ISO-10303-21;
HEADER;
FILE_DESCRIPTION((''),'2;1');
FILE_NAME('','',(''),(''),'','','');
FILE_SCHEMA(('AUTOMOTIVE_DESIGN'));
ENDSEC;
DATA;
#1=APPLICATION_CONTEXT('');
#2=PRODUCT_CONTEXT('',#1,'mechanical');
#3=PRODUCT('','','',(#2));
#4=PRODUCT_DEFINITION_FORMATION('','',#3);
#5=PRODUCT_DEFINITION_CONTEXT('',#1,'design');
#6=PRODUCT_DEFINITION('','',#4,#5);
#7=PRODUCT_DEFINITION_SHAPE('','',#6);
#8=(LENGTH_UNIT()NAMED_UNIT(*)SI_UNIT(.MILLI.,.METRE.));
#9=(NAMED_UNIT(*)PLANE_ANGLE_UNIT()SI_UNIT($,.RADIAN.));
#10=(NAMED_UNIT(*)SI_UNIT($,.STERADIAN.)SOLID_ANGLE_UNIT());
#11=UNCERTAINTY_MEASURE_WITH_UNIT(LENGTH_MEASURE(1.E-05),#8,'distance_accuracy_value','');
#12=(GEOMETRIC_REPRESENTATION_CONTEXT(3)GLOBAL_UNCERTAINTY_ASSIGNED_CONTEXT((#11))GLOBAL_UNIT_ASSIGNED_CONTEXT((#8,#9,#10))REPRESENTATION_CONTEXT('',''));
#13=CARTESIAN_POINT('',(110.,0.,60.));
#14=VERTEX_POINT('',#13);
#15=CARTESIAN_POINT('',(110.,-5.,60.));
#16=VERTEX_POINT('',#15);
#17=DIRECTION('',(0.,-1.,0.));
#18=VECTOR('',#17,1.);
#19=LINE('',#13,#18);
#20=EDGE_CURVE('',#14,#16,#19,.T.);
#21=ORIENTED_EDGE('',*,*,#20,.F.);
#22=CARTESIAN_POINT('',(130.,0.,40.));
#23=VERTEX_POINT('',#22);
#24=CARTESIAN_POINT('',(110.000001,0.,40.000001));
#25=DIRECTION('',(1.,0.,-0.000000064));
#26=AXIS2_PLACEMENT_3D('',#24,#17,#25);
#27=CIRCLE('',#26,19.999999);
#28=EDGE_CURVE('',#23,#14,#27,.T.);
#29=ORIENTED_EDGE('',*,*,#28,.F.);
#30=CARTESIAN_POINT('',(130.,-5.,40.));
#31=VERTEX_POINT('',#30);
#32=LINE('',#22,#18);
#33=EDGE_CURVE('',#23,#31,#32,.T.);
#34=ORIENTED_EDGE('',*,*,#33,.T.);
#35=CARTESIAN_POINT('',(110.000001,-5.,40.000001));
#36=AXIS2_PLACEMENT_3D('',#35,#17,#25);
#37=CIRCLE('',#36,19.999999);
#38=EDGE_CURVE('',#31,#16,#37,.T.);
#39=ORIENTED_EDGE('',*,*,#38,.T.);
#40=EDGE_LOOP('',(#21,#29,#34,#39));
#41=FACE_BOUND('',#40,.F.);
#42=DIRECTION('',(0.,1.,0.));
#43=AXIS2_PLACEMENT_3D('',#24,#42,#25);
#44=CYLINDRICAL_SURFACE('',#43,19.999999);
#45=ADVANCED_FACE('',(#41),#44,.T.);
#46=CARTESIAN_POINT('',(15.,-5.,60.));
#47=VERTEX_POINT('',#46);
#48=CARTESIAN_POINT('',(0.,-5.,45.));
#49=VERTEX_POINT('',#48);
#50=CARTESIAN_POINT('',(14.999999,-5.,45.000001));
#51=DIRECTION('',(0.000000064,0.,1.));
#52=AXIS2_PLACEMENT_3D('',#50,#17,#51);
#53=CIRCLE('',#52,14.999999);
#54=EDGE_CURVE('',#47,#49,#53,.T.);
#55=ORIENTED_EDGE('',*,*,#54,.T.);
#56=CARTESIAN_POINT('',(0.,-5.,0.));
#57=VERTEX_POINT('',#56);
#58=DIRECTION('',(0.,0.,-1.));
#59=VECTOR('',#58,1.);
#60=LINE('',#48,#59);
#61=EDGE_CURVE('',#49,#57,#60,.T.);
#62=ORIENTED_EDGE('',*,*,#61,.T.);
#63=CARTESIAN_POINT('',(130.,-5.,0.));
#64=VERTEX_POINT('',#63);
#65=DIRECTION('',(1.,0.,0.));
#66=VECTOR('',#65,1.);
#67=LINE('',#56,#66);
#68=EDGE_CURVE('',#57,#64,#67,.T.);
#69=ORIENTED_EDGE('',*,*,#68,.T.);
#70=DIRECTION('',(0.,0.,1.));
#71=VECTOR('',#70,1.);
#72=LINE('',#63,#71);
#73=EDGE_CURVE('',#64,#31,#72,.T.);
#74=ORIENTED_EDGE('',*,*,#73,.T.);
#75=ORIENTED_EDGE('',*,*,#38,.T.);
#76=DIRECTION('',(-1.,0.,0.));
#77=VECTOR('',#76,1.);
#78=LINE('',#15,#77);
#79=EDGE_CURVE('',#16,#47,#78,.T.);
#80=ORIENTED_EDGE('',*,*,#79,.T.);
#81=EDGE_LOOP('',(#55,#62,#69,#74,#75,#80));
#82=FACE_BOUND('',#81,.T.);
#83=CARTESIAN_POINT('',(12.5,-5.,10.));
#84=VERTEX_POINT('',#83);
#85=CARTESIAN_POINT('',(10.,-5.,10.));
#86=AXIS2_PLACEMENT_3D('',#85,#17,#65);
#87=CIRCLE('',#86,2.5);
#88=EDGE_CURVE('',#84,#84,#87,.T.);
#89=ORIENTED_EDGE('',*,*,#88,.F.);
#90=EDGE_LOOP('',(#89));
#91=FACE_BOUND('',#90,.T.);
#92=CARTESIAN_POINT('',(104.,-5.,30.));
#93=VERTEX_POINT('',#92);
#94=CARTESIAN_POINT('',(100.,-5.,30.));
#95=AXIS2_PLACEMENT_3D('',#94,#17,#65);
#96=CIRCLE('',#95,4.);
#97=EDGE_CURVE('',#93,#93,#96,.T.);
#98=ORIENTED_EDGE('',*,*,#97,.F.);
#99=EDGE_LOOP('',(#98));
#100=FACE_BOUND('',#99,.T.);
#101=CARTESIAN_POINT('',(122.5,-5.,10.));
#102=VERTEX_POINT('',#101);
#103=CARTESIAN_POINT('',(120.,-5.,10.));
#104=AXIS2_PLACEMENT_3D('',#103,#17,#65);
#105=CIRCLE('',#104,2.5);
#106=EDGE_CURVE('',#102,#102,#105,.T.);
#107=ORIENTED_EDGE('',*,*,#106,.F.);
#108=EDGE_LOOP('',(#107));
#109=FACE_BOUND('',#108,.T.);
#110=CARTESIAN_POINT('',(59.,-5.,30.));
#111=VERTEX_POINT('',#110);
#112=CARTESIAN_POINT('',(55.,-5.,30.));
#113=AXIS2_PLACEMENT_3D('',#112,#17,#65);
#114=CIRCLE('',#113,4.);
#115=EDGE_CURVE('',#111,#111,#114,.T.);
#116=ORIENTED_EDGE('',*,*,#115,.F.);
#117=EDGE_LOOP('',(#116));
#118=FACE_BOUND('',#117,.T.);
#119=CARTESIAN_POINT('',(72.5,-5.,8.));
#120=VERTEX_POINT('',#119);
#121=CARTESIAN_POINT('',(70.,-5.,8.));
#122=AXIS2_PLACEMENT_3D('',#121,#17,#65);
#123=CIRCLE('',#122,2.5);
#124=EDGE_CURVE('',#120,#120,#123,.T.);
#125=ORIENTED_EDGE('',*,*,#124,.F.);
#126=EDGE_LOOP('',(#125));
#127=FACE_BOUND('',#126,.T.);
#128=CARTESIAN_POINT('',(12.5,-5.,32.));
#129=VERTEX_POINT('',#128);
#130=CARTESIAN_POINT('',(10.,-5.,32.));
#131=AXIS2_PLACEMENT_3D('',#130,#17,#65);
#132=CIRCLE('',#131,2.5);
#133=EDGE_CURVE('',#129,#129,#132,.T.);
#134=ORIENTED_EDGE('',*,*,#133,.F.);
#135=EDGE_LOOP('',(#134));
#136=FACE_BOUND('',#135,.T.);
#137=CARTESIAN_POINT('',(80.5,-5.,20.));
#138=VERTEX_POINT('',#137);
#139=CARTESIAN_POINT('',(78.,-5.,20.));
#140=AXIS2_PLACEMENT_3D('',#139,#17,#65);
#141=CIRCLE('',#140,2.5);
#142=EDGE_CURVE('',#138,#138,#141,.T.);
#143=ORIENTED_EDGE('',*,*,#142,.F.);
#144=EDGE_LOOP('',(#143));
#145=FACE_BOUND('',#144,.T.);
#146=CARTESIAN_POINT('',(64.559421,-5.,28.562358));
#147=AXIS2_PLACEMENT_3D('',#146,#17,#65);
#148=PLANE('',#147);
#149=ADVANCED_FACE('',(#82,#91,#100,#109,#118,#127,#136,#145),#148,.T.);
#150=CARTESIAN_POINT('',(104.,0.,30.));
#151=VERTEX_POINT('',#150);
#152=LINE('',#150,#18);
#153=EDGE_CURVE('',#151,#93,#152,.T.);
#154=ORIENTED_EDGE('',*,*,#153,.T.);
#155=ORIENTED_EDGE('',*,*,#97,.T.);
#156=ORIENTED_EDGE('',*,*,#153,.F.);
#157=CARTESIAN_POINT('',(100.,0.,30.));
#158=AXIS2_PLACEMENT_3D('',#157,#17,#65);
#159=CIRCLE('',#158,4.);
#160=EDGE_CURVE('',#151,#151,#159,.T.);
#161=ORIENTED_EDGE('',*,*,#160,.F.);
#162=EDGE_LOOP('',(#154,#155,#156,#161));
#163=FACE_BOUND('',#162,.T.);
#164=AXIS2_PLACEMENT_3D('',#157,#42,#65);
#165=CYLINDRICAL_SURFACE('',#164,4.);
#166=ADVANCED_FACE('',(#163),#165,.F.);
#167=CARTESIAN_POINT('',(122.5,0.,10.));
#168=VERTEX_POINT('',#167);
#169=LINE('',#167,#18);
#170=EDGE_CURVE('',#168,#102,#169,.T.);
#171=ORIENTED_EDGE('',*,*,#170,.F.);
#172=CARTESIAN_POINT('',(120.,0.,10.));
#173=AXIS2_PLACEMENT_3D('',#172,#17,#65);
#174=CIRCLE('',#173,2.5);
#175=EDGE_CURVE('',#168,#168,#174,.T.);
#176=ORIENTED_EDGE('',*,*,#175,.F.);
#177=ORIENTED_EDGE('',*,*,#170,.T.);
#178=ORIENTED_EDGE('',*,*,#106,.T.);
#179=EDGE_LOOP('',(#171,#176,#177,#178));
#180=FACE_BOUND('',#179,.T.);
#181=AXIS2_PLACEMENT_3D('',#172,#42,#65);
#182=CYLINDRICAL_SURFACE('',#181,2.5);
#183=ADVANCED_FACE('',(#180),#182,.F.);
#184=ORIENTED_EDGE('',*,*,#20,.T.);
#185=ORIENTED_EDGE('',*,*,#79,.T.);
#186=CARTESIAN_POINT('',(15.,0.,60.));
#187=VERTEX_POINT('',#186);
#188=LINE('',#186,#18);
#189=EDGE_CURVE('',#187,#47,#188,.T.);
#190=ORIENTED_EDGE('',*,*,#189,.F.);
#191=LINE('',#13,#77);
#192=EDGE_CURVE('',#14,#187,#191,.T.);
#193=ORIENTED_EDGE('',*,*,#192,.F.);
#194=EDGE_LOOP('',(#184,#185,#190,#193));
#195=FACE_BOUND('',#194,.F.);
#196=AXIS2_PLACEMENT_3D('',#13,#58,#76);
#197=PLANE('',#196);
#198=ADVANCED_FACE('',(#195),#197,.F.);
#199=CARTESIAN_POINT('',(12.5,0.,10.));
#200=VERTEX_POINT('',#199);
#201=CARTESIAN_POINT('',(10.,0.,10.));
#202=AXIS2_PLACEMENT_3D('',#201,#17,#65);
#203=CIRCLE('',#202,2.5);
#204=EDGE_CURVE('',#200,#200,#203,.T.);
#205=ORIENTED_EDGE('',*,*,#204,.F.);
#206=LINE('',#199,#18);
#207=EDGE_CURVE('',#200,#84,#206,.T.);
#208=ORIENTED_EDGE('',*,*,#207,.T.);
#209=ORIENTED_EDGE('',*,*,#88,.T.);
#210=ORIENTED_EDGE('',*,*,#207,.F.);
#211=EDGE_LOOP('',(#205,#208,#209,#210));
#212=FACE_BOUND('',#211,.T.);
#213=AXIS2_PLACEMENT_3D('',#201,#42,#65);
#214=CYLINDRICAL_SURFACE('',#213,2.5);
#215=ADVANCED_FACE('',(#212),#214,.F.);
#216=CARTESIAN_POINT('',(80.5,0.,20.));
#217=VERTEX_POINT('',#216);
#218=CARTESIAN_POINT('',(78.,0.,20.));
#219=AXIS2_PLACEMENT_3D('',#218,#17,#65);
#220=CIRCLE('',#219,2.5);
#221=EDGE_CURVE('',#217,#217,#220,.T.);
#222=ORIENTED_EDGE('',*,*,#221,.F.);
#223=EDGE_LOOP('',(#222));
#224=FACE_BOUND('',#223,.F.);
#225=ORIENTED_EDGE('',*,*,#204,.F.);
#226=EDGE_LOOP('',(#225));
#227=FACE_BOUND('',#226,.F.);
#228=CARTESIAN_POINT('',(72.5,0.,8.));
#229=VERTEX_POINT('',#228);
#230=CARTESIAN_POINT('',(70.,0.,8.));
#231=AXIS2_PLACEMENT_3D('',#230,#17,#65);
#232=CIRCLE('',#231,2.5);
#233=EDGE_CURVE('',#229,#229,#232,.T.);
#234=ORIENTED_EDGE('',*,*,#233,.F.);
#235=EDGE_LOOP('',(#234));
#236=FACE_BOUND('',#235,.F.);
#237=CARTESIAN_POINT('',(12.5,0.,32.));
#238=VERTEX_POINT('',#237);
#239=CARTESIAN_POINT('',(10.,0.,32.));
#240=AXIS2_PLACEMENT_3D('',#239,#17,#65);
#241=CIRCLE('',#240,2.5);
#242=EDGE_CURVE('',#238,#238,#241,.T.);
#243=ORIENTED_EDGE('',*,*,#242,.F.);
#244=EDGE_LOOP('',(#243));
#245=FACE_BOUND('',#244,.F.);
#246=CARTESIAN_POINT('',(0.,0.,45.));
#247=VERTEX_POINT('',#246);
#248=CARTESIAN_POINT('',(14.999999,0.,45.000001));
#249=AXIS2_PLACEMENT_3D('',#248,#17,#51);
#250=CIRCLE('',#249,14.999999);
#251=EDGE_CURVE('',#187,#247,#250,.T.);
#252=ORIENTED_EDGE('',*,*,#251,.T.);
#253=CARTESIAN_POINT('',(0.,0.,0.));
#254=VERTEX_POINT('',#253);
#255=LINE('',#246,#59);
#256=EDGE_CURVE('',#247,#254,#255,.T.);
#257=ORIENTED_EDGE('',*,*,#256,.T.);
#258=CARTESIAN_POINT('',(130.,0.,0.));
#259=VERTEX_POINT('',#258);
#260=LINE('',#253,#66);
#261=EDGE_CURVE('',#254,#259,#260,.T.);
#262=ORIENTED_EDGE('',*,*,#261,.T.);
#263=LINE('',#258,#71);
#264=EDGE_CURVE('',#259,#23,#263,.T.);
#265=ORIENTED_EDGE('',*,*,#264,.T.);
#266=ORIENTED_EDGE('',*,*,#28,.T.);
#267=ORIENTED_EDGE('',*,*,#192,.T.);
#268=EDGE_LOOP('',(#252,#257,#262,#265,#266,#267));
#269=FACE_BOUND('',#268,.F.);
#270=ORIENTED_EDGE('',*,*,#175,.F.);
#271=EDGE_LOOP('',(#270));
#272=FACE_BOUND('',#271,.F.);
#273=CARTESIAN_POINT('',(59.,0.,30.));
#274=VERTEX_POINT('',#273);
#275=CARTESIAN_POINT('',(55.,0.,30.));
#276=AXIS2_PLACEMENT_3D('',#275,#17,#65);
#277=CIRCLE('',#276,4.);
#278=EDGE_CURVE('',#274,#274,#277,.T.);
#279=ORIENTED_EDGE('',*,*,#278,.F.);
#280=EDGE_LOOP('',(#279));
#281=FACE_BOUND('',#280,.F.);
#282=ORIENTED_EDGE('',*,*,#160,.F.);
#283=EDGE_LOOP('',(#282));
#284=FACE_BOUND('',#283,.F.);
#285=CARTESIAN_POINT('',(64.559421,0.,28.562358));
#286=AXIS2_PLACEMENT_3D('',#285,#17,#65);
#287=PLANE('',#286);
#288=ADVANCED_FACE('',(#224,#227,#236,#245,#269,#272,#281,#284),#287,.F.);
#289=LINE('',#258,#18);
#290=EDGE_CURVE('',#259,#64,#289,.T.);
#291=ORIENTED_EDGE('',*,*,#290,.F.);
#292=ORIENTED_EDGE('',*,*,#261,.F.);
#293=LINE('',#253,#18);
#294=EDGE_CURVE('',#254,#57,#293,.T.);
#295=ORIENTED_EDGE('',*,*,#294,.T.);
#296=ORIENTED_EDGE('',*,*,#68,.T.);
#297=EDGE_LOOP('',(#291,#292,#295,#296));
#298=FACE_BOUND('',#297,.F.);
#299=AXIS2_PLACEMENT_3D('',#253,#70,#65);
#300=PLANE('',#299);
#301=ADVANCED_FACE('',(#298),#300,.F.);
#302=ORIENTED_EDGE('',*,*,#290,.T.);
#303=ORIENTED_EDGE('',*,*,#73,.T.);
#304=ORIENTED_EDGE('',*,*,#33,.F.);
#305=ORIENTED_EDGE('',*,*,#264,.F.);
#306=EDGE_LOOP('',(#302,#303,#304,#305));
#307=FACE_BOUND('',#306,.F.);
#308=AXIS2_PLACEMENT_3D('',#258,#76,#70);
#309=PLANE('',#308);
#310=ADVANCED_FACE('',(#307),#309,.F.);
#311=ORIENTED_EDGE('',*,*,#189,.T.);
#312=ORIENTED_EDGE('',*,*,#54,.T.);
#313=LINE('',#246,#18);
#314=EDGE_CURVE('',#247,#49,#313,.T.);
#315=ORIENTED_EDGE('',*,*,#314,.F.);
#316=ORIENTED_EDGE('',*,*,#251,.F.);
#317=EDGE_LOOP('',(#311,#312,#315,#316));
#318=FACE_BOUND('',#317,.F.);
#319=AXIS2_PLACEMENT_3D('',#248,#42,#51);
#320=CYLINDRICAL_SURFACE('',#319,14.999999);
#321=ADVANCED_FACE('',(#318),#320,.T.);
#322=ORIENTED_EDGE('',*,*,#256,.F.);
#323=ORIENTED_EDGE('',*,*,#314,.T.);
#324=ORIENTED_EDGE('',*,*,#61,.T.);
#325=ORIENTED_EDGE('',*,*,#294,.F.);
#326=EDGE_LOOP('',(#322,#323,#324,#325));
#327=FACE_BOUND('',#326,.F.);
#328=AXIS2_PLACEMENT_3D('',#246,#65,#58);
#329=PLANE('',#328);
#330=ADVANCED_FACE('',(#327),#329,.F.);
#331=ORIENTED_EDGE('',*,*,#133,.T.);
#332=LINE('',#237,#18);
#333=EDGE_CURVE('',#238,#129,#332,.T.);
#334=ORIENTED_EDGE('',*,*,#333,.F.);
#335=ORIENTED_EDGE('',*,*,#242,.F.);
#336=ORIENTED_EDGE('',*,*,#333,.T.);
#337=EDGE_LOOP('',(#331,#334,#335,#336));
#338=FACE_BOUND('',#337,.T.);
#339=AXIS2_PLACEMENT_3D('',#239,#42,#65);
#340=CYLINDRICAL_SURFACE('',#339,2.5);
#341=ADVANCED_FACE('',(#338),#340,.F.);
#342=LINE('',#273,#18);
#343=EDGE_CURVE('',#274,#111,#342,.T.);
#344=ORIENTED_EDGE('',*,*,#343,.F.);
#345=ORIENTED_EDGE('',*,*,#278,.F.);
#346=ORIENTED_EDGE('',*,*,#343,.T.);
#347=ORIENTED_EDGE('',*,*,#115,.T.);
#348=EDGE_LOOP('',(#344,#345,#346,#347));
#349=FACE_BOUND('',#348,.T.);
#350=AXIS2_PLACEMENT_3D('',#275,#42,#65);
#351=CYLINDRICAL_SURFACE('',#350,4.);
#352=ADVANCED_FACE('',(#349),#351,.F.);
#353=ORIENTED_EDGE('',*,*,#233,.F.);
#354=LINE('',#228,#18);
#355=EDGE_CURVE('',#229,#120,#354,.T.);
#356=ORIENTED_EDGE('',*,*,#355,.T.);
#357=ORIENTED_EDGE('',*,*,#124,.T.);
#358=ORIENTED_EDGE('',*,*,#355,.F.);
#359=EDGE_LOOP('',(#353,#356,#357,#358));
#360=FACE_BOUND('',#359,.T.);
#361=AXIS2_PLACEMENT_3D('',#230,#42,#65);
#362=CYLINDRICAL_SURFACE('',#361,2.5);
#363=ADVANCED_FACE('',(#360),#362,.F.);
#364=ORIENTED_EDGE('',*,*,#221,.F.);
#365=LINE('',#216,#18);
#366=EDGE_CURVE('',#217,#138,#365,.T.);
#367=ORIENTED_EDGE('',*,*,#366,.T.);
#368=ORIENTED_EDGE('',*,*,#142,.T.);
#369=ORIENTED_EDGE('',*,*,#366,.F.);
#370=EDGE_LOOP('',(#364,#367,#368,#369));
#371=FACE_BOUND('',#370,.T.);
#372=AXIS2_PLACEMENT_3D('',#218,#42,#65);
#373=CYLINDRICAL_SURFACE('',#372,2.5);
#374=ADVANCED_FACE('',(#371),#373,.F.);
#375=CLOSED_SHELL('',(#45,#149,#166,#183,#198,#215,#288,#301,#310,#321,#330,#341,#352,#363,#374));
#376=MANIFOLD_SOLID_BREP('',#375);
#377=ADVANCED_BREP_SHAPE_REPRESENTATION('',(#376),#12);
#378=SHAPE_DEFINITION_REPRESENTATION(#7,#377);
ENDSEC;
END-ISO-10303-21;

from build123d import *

# Parameters (mm, degrees)
F0_R     = 2.5
F0_R_2   = 4
F1_DEPTH = 5


with BuildPart() as f1:
    # F0 (on Front) → F1 (new body)
    with BuildSketch(Plane.XZ):
        with BuildLine():
            Line((0, 45), (0, 0))
            Line((0, 0), (130, 0))
            Line((130, 0), (130, 40))
            ThreePointArc((130, 40), (124.142136, 54.142136), (110, 60))
            Line((110, 60), (15, 60))
            ThreePointArc((15, 60), (4.393398, 55.606602), (0, 45))
        make_face()
        with Locations((10, 10)):
            Circle(F0_R, mode=Mode.SUBTRACT)
        with Locations((70, 8)):
            Circle(F0_R, mode=Mode.SUBTRACT)
        with Locations((120, 10)):
            Circle(F0_R, mode=Mode.SUBTRACT)
        with Locations((78, 20)):
            Circle(F0_R, mode=Mode.SUBTRACT)
        with Locations((10, 32)):
            Circle(F0_R, mode=Mode.SUBTRACT)
        with Locations((55, 30)):
            Circle(F0_R_2, mode=Mode.SUBTRACT)
        with Locations((100, 30)):
            Circle(F0_R_2, mode=Mode.SUBTRACT)
    extrude(amount=F1_DEPTH)


solid = f1.part
